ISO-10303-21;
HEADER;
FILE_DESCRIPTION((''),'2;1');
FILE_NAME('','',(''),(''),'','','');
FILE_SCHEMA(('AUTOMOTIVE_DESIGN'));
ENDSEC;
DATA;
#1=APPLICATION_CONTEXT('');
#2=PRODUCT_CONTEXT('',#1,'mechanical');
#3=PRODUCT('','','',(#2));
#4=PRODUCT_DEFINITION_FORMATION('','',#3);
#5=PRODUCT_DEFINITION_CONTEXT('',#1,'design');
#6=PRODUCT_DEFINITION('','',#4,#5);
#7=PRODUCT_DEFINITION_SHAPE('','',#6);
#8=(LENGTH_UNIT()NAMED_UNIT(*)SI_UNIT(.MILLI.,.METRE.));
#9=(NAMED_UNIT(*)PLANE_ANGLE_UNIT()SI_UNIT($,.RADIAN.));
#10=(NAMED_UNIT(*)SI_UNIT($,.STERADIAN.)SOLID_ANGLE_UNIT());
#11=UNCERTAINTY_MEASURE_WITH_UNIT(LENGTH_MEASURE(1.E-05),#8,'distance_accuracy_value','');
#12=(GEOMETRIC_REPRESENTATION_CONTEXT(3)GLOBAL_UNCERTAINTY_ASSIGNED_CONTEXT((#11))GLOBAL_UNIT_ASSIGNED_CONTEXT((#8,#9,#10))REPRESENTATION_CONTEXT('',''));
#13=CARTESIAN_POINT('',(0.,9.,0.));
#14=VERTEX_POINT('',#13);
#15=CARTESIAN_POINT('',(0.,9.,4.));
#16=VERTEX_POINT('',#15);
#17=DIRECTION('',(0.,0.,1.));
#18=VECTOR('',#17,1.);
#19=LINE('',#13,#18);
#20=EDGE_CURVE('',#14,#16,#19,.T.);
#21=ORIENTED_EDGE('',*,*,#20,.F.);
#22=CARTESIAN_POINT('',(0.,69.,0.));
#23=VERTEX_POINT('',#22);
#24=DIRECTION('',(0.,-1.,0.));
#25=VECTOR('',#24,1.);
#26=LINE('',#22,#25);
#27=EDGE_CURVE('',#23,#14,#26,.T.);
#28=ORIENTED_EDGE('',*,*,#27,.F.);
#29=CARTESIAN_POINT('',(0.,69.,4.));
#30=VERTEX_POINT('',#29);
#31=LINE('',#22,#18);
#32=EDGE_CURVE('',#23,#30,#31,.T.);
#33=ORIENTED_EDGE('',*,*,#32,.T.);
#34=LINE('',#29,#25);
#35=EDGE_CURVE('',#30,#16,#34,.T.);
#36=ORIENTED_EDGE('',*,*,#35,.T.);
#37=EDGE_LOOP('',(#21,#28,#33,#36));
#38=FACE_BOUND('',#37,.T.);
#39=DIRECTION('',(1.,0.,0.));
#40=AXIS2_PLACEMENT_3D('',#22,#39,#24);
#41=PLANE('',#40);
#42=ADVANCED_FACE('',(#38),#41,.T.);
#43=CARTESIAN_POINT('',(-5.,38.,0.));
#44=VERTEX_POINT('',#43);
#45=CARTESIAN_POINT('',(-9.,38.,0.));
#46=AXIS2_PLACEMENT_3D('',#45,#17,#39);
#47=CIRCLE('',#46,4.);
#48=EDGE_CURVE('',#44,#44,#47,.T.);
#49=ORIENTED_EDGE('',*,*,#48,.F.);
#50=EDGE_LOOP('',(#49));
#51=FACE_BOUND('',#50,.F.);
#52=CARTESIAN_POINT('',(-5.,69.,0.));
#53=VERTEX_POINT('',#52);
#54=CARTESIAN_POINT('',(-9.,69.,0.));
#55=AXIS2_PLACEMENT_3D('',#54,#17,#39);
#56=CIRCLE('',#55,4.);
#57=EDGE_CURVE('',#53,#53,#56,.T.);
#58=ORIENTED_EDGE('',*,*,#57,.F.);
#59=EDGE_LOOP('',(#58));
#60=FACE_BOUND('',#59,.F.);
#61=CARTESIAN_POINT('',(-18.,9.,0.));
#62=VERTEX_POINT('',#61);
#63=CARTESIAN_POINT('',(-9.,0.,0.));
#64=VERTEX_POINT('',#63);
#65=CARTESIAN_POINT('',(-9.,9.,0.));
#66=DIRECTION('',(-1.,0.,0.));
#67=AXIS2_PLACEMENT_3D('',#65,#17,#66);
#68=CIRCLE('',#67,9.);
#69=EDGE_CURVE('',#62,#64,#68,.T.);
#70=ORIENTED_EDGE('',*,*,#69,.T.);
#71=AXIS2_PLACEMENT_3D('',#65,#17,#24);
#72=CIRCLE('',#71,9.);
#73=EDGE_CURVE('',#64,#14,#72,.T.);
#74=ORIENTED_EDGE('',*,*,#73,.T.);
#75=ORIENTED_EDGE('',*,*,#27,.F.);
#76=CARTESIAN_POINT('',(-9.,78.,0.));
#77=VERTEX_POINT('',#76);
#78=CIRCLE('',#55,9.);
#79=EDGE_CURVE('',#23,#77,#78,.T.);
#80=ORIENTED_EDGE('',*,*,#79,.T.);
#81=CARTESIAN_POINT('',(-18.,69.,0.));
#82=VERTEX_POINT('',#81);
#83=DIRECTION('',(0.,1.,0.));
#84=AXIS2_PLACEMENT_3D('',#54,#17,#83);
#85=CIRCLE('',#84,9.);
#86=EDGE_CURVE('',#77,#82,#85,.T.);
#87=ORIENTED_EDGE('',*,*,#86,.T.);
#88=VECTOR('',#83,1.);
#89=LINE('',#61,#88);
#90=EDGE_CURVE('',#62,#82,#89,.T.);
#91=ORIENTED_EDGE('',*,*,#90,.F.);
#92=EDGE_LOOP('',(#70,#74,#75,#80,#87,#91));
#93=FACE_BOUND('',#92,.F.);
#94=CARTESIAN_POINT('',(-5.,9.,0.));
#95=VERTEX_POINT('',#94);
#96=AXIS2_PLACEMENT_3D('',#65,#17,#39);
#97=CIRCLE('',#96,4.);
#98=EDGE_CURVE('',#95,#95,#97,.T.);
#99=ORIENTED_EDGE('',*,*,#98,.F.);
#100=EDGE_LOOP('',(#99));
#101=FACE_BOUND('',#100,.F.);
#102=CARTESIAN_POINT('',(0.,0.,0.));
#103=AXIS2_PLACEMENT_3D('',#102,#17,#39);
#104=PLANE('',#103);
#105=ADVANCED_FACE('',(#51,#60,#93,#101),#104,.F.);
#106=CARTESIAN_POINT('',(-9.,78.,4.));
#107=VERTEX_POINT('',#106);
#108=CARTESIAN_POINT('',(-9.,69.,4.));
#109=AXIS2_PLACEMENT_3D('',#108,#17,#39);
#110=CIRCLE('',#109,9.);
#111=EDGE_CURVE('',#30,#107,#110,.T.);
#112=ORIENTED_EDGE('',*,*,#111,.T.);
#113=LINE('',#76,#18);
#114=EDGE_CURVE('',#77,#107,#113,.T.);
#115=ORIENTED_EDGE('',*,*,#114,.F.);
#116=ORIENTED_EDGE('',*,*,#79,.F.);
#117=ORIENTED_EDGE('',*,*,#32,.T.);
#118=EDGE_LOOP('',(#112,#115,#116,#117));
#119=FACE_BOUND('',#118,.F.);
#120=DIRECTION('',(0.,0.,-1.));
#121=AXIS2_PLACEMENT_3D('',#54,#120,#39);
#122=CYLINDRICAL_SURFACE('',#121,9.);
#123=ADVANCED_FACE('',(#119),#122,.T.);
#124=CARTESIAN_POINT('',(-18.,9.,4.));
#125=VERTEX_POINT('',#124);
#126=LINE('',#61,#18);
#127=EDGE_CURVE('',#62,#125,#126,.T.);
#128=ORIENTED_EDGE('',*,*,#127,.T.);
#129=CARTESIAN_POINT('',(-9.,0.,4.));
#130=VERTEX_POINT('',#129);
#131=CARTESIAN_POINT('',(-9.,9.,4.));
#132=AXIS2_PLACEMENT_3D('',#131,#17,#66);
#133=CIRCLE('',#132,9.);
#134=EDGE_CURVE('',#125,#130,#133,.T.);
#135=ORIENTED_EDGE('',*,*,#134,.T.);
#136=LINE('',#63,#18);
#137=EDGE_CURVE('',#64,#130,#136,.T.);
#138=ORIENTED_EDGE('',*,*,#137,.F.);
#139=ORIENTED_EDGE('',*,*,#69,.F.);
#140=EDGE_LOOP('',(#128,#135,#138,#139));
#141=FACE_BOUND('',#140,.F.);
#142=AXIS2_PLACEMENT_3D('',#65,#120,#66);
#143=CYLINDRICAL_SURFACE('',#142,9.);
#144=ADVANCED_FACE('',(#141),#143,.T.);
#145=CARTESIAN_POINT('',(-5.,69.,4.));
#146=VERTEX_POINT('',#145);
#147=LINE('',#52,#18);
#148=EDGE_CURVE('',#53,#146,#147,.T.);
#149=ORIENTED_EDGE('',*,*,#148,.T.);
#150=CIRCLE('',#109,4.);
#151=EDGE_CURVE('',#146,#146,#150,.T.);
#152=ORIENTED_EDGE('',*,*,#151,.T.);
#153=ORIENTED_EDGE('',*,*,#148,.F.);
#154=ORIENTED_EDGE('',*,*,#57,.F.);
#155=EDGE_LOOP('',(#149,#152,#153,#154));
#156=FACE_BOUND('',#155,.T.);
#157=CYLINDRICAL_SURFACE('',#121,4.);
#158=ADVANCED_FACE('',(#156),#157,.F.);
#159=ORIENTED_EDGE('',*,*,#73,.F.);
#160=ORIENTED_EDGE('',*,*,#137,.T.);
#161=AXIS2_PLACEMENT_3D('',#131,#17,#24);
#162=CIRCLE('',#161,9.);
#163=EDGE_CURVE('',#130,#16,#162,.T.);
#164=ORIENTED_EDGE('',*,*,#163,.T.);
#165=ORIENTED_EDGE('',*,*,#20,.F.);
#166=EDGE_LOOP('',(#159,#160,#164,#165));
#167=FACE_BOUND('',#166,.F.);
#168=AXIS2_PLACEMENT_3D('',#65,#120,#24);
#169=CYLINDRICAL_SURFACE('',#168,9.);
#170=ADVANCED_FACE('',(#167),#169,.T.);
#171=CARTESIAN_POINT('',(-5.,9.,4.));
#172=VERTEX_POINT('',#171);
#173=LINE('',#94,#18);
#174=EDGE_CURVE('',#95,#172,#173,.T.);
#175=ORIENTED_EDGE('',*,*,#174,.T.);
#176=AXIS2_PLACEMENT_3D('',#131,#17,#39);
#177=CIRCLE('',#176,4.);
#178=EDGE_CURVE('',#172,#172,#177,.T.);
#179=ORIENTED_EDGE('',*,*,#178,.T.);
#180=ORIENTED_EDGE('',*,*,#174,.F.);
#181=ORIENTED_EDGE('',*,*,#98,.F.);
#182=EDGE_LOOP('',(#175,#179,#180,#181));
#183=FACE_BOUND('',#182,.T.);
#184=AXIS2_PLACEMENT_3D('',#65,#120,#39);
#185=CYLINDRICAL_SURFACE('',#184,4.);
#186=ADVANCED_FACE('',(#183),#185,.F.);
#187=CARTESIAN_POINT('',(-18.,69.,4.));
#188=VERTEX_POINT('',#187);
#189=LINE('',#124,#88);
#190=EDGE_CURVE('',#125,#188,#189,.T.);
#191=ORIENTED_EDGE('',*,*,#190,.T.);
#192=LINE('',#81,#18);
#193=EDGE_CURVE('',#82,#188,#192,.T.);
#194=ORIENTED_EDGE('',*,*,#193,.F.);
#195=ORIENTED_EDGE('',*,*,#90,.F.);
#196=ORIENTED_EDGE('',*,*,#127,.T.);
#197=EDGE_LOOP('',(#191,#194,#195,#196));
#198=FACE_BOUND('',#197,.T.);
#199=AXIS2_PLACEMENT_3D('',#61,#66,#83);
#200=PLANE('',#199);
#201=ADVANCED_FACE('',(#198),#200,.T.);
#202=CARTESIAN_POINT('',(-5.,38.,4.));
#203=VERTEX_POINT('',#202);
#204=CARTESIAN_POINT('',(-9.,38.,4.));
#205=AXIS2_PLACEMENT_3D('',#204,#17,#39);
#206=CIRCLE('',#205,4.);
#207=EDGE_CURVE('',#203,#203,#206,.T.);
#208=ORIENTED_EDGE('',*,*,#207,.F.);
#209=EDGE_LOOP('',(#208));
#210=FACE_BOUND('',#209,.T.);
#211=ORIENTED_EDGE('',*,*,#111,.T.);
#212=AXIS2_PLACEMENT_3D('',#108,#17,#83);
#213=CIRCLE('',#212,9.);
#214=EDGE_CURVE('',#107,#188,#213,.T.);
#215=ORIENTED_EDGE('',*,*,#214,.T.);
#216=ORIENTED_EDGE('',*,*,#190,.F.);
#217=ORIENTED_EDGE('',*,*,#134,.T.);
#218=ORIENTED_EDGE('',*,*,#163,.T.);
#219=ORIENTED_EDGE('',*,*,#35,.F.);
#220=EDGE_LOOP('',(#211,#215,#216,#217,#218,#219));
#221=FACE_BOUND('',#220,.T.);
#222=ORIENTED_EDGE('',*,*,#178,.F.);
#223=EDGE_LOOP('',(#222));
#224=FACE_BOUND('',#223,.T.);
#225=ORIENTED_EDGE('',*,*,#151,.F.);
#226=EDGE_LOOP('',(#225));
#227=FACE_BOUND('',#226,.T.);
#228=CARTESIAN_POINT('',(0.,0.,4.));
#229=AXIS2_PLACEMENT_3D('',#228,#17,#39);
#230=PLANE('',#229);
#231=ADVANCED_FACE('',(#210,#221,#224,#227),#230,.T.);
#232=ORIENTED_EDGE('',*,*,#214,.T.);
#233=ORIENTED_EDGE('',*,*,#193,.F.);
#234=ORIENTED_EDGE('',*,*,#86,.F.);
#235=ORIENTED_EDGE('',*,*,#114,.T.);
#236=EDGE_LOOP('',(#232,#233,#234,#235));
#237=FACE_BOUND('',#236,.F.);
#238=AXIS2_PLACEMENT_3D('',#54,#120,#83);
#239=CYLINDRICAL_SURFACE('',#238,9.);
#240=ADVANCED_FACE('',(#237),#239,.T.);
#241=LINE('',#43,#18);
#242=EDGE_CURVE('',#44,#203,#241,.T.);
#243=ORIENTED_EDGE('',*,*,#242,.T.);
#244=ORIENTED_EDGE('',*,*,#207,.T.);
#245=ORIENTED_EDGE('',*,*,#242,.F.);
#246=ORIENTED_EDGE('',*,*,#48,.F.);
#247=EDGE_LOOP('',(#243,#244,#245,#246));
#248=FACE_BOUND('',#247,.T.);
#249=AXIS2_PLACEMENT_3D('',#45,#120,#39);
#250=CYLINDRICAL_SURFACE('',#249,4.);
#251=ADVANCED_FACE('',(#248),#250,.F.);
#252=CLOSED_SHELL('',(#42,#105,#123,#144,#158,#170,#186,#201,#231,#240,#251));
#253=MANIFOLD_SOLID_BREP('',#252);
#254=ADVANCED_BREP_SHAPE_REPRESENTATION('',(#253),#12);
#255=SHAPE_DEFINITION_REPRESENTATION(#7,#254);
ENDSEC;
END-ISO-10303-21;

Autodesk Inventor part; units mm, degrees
ref_plane "YZ Plane" through (0, 0, 0) normal (1, 0, 0) x (0, 1, 0)
ref_plane "XZ Plane" through (0, 0, 0) normal (0, 1, 0) x (-1, 0, 0)
ref_plane "XY Plane" through (0, 0, 0) normal (0, 0, 1) x (1, 0, 0)
sketch "Sketch1" plane through (0, 0, 0) normal (0, 0, 1) x (1, 0, 0)
  line L0 (-9, 0) -> (-9, 0)
  line L1 (-18, 9) -> (-18, 69)
  line L2 (-9, 78) -> (-9, 78)
  line L3 (0, 69) -> (0, 9)
  circle A0 centre (-9, 38) radius 4
  arc A1 (-18, 9) -> (-9, 0) centre (-9, 9) ccw
  arc A2 (-9, 0) -> (0, 9) centre (-9, 9) ccw
  arc A3 (0, 69) -> (-9, 78) centre (-9, 69) ccw
  arc A4 (-9, 78) -> (-18, 69) centre (-9, 69) ccw
  circle A5 centre (-9, 9) radius 4
  circle A6 centre (-9, 69) radius 4
  point P0 (0, 0)
  point P1 (-18, 78)
  point P2 (-18, 0)
  point P3 (0, 78)
  dimension "d0" = 18
  dimension "d1" = 78
  dimension "d2" = 8
  dimension "d3" = 9
  dimension "d4" = 8
  dimension "d5" = 8
extrude "Extrusion1" add sketch "Sketch1" along normal blind 4
properties part number "zawieszenie ramie 2"
